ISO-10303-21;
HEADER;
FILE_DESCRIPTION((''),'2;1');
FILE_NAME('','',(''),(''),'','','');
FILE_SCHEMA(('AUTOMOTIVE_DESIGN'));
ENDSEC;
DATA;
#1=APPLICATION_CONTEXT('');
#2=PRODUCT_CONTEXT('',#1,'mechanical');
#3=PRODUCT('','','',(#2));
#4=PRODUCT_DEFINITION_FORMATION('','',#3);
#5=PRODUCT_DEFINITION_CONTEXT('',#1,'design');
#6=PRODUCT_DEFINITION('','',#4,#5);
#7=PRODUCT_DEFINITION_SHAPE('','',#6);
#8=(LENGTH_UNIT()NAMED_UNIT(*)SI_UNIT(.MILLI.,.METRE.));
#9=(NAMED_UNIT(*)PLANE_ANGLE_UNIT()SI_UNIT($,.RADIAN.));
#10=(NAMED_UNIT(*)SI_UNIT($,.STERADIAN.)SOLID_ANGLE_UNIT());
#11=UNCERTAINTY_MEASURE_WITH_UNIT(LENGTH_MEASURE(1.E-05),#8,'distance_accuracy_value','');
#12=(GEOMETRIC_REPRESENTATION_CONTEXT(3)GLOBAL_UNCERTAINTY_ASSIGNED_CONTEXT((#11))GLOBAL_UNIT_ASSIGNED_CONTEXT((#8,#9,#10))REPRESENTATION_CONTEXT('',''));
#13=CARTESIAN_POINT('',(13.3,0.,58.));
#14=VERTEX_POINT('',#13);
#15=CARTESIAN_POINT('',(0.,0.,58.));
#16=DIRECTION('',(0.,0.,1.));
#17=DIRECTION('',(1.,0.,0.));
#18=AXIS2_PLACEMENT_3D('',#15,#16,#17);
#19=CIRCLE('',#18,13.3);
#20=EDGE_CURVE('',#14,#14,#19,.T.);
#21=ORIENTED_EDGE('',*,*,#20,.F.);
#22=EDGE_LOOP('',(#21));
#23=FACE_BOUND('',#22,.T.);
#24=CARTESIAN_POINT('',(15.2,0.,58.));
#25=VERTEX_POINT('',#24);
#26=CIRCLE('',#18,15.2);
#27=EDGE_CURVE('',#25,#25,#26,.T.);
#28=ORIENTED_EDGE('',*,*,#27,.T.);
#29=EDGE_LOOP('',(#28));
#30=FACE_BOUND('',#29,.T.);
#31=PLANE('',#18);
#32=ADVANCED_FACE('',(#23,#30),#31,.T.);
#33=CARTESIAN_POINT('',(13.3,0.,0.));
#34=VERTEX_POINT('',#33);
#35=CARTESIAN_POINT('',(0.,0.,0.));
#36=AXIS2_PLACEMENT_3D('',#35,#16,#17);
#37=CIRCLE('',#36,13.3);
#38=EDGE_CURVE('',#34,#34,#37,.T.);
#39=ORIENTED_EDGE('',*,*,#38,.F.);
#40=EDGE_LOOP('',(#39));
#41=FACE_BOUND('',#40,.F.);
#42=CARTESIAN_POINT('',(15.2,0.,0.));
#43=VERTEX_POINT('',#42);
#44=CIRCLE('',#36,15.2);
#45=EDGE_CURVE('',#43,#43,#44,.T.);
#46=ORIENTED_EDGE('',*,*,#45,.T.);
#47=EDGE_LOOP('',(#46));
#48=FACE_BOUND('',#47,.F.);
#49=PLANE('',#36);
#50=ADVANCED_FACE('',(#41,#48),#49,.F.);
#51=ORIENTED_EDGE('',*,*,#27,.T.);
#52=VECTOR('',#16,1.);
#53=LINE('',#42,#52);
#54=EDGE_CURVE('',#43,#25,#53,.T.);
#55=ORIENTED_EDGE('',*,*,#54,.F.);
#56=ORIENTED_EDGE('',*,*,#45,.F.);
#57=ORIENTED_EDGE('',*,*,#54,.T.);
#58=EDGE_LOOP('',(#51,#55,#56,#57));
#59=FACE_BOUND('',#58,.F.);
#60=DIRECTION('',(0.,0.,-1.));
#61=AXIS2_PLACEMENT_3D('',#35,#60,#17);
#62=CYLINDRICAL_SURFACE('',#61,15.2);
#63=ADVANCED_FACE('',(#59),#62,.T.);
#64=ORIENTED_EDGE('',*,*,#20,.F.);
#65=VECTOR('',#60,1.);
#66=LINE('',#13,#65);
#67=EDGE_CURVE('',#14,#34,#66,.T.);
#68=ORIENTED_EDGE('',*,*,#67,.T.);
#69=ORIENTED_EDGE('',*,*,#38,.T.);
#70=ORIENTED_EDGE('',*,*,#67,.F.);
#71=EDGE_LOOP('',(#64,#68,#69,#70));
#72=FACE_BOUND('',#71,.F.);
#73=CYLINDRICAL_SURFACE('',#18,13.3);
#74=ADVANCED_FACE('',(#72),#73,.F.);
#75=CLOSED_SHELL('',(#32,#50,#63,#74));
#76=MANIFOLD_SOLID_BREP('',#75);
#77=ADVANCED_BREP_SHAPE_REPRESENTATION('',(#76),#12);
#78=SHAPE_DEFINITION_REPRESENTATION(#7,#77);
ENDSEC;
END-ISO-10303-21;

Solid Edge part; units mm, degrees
sketch "Sketch1" plane through (0, 0, 0) normal (0, 0, 1) x (1, 0, 0)
  circle A0 centre (0, 0) radius 15.2
extrude "Protrusion1" add sketch "Sketch1" along normal blind 58
sketch "Sketch2" plane through (0, 0, 58) normal (0, 0, 1) x (1, 0, 0)
  circle A0 centre (0, 0) radius 13.3
extrude "Cutout1" cut sketch "Sketch2" against normal up to vertex (58 mm away)
properties material "Copper"
